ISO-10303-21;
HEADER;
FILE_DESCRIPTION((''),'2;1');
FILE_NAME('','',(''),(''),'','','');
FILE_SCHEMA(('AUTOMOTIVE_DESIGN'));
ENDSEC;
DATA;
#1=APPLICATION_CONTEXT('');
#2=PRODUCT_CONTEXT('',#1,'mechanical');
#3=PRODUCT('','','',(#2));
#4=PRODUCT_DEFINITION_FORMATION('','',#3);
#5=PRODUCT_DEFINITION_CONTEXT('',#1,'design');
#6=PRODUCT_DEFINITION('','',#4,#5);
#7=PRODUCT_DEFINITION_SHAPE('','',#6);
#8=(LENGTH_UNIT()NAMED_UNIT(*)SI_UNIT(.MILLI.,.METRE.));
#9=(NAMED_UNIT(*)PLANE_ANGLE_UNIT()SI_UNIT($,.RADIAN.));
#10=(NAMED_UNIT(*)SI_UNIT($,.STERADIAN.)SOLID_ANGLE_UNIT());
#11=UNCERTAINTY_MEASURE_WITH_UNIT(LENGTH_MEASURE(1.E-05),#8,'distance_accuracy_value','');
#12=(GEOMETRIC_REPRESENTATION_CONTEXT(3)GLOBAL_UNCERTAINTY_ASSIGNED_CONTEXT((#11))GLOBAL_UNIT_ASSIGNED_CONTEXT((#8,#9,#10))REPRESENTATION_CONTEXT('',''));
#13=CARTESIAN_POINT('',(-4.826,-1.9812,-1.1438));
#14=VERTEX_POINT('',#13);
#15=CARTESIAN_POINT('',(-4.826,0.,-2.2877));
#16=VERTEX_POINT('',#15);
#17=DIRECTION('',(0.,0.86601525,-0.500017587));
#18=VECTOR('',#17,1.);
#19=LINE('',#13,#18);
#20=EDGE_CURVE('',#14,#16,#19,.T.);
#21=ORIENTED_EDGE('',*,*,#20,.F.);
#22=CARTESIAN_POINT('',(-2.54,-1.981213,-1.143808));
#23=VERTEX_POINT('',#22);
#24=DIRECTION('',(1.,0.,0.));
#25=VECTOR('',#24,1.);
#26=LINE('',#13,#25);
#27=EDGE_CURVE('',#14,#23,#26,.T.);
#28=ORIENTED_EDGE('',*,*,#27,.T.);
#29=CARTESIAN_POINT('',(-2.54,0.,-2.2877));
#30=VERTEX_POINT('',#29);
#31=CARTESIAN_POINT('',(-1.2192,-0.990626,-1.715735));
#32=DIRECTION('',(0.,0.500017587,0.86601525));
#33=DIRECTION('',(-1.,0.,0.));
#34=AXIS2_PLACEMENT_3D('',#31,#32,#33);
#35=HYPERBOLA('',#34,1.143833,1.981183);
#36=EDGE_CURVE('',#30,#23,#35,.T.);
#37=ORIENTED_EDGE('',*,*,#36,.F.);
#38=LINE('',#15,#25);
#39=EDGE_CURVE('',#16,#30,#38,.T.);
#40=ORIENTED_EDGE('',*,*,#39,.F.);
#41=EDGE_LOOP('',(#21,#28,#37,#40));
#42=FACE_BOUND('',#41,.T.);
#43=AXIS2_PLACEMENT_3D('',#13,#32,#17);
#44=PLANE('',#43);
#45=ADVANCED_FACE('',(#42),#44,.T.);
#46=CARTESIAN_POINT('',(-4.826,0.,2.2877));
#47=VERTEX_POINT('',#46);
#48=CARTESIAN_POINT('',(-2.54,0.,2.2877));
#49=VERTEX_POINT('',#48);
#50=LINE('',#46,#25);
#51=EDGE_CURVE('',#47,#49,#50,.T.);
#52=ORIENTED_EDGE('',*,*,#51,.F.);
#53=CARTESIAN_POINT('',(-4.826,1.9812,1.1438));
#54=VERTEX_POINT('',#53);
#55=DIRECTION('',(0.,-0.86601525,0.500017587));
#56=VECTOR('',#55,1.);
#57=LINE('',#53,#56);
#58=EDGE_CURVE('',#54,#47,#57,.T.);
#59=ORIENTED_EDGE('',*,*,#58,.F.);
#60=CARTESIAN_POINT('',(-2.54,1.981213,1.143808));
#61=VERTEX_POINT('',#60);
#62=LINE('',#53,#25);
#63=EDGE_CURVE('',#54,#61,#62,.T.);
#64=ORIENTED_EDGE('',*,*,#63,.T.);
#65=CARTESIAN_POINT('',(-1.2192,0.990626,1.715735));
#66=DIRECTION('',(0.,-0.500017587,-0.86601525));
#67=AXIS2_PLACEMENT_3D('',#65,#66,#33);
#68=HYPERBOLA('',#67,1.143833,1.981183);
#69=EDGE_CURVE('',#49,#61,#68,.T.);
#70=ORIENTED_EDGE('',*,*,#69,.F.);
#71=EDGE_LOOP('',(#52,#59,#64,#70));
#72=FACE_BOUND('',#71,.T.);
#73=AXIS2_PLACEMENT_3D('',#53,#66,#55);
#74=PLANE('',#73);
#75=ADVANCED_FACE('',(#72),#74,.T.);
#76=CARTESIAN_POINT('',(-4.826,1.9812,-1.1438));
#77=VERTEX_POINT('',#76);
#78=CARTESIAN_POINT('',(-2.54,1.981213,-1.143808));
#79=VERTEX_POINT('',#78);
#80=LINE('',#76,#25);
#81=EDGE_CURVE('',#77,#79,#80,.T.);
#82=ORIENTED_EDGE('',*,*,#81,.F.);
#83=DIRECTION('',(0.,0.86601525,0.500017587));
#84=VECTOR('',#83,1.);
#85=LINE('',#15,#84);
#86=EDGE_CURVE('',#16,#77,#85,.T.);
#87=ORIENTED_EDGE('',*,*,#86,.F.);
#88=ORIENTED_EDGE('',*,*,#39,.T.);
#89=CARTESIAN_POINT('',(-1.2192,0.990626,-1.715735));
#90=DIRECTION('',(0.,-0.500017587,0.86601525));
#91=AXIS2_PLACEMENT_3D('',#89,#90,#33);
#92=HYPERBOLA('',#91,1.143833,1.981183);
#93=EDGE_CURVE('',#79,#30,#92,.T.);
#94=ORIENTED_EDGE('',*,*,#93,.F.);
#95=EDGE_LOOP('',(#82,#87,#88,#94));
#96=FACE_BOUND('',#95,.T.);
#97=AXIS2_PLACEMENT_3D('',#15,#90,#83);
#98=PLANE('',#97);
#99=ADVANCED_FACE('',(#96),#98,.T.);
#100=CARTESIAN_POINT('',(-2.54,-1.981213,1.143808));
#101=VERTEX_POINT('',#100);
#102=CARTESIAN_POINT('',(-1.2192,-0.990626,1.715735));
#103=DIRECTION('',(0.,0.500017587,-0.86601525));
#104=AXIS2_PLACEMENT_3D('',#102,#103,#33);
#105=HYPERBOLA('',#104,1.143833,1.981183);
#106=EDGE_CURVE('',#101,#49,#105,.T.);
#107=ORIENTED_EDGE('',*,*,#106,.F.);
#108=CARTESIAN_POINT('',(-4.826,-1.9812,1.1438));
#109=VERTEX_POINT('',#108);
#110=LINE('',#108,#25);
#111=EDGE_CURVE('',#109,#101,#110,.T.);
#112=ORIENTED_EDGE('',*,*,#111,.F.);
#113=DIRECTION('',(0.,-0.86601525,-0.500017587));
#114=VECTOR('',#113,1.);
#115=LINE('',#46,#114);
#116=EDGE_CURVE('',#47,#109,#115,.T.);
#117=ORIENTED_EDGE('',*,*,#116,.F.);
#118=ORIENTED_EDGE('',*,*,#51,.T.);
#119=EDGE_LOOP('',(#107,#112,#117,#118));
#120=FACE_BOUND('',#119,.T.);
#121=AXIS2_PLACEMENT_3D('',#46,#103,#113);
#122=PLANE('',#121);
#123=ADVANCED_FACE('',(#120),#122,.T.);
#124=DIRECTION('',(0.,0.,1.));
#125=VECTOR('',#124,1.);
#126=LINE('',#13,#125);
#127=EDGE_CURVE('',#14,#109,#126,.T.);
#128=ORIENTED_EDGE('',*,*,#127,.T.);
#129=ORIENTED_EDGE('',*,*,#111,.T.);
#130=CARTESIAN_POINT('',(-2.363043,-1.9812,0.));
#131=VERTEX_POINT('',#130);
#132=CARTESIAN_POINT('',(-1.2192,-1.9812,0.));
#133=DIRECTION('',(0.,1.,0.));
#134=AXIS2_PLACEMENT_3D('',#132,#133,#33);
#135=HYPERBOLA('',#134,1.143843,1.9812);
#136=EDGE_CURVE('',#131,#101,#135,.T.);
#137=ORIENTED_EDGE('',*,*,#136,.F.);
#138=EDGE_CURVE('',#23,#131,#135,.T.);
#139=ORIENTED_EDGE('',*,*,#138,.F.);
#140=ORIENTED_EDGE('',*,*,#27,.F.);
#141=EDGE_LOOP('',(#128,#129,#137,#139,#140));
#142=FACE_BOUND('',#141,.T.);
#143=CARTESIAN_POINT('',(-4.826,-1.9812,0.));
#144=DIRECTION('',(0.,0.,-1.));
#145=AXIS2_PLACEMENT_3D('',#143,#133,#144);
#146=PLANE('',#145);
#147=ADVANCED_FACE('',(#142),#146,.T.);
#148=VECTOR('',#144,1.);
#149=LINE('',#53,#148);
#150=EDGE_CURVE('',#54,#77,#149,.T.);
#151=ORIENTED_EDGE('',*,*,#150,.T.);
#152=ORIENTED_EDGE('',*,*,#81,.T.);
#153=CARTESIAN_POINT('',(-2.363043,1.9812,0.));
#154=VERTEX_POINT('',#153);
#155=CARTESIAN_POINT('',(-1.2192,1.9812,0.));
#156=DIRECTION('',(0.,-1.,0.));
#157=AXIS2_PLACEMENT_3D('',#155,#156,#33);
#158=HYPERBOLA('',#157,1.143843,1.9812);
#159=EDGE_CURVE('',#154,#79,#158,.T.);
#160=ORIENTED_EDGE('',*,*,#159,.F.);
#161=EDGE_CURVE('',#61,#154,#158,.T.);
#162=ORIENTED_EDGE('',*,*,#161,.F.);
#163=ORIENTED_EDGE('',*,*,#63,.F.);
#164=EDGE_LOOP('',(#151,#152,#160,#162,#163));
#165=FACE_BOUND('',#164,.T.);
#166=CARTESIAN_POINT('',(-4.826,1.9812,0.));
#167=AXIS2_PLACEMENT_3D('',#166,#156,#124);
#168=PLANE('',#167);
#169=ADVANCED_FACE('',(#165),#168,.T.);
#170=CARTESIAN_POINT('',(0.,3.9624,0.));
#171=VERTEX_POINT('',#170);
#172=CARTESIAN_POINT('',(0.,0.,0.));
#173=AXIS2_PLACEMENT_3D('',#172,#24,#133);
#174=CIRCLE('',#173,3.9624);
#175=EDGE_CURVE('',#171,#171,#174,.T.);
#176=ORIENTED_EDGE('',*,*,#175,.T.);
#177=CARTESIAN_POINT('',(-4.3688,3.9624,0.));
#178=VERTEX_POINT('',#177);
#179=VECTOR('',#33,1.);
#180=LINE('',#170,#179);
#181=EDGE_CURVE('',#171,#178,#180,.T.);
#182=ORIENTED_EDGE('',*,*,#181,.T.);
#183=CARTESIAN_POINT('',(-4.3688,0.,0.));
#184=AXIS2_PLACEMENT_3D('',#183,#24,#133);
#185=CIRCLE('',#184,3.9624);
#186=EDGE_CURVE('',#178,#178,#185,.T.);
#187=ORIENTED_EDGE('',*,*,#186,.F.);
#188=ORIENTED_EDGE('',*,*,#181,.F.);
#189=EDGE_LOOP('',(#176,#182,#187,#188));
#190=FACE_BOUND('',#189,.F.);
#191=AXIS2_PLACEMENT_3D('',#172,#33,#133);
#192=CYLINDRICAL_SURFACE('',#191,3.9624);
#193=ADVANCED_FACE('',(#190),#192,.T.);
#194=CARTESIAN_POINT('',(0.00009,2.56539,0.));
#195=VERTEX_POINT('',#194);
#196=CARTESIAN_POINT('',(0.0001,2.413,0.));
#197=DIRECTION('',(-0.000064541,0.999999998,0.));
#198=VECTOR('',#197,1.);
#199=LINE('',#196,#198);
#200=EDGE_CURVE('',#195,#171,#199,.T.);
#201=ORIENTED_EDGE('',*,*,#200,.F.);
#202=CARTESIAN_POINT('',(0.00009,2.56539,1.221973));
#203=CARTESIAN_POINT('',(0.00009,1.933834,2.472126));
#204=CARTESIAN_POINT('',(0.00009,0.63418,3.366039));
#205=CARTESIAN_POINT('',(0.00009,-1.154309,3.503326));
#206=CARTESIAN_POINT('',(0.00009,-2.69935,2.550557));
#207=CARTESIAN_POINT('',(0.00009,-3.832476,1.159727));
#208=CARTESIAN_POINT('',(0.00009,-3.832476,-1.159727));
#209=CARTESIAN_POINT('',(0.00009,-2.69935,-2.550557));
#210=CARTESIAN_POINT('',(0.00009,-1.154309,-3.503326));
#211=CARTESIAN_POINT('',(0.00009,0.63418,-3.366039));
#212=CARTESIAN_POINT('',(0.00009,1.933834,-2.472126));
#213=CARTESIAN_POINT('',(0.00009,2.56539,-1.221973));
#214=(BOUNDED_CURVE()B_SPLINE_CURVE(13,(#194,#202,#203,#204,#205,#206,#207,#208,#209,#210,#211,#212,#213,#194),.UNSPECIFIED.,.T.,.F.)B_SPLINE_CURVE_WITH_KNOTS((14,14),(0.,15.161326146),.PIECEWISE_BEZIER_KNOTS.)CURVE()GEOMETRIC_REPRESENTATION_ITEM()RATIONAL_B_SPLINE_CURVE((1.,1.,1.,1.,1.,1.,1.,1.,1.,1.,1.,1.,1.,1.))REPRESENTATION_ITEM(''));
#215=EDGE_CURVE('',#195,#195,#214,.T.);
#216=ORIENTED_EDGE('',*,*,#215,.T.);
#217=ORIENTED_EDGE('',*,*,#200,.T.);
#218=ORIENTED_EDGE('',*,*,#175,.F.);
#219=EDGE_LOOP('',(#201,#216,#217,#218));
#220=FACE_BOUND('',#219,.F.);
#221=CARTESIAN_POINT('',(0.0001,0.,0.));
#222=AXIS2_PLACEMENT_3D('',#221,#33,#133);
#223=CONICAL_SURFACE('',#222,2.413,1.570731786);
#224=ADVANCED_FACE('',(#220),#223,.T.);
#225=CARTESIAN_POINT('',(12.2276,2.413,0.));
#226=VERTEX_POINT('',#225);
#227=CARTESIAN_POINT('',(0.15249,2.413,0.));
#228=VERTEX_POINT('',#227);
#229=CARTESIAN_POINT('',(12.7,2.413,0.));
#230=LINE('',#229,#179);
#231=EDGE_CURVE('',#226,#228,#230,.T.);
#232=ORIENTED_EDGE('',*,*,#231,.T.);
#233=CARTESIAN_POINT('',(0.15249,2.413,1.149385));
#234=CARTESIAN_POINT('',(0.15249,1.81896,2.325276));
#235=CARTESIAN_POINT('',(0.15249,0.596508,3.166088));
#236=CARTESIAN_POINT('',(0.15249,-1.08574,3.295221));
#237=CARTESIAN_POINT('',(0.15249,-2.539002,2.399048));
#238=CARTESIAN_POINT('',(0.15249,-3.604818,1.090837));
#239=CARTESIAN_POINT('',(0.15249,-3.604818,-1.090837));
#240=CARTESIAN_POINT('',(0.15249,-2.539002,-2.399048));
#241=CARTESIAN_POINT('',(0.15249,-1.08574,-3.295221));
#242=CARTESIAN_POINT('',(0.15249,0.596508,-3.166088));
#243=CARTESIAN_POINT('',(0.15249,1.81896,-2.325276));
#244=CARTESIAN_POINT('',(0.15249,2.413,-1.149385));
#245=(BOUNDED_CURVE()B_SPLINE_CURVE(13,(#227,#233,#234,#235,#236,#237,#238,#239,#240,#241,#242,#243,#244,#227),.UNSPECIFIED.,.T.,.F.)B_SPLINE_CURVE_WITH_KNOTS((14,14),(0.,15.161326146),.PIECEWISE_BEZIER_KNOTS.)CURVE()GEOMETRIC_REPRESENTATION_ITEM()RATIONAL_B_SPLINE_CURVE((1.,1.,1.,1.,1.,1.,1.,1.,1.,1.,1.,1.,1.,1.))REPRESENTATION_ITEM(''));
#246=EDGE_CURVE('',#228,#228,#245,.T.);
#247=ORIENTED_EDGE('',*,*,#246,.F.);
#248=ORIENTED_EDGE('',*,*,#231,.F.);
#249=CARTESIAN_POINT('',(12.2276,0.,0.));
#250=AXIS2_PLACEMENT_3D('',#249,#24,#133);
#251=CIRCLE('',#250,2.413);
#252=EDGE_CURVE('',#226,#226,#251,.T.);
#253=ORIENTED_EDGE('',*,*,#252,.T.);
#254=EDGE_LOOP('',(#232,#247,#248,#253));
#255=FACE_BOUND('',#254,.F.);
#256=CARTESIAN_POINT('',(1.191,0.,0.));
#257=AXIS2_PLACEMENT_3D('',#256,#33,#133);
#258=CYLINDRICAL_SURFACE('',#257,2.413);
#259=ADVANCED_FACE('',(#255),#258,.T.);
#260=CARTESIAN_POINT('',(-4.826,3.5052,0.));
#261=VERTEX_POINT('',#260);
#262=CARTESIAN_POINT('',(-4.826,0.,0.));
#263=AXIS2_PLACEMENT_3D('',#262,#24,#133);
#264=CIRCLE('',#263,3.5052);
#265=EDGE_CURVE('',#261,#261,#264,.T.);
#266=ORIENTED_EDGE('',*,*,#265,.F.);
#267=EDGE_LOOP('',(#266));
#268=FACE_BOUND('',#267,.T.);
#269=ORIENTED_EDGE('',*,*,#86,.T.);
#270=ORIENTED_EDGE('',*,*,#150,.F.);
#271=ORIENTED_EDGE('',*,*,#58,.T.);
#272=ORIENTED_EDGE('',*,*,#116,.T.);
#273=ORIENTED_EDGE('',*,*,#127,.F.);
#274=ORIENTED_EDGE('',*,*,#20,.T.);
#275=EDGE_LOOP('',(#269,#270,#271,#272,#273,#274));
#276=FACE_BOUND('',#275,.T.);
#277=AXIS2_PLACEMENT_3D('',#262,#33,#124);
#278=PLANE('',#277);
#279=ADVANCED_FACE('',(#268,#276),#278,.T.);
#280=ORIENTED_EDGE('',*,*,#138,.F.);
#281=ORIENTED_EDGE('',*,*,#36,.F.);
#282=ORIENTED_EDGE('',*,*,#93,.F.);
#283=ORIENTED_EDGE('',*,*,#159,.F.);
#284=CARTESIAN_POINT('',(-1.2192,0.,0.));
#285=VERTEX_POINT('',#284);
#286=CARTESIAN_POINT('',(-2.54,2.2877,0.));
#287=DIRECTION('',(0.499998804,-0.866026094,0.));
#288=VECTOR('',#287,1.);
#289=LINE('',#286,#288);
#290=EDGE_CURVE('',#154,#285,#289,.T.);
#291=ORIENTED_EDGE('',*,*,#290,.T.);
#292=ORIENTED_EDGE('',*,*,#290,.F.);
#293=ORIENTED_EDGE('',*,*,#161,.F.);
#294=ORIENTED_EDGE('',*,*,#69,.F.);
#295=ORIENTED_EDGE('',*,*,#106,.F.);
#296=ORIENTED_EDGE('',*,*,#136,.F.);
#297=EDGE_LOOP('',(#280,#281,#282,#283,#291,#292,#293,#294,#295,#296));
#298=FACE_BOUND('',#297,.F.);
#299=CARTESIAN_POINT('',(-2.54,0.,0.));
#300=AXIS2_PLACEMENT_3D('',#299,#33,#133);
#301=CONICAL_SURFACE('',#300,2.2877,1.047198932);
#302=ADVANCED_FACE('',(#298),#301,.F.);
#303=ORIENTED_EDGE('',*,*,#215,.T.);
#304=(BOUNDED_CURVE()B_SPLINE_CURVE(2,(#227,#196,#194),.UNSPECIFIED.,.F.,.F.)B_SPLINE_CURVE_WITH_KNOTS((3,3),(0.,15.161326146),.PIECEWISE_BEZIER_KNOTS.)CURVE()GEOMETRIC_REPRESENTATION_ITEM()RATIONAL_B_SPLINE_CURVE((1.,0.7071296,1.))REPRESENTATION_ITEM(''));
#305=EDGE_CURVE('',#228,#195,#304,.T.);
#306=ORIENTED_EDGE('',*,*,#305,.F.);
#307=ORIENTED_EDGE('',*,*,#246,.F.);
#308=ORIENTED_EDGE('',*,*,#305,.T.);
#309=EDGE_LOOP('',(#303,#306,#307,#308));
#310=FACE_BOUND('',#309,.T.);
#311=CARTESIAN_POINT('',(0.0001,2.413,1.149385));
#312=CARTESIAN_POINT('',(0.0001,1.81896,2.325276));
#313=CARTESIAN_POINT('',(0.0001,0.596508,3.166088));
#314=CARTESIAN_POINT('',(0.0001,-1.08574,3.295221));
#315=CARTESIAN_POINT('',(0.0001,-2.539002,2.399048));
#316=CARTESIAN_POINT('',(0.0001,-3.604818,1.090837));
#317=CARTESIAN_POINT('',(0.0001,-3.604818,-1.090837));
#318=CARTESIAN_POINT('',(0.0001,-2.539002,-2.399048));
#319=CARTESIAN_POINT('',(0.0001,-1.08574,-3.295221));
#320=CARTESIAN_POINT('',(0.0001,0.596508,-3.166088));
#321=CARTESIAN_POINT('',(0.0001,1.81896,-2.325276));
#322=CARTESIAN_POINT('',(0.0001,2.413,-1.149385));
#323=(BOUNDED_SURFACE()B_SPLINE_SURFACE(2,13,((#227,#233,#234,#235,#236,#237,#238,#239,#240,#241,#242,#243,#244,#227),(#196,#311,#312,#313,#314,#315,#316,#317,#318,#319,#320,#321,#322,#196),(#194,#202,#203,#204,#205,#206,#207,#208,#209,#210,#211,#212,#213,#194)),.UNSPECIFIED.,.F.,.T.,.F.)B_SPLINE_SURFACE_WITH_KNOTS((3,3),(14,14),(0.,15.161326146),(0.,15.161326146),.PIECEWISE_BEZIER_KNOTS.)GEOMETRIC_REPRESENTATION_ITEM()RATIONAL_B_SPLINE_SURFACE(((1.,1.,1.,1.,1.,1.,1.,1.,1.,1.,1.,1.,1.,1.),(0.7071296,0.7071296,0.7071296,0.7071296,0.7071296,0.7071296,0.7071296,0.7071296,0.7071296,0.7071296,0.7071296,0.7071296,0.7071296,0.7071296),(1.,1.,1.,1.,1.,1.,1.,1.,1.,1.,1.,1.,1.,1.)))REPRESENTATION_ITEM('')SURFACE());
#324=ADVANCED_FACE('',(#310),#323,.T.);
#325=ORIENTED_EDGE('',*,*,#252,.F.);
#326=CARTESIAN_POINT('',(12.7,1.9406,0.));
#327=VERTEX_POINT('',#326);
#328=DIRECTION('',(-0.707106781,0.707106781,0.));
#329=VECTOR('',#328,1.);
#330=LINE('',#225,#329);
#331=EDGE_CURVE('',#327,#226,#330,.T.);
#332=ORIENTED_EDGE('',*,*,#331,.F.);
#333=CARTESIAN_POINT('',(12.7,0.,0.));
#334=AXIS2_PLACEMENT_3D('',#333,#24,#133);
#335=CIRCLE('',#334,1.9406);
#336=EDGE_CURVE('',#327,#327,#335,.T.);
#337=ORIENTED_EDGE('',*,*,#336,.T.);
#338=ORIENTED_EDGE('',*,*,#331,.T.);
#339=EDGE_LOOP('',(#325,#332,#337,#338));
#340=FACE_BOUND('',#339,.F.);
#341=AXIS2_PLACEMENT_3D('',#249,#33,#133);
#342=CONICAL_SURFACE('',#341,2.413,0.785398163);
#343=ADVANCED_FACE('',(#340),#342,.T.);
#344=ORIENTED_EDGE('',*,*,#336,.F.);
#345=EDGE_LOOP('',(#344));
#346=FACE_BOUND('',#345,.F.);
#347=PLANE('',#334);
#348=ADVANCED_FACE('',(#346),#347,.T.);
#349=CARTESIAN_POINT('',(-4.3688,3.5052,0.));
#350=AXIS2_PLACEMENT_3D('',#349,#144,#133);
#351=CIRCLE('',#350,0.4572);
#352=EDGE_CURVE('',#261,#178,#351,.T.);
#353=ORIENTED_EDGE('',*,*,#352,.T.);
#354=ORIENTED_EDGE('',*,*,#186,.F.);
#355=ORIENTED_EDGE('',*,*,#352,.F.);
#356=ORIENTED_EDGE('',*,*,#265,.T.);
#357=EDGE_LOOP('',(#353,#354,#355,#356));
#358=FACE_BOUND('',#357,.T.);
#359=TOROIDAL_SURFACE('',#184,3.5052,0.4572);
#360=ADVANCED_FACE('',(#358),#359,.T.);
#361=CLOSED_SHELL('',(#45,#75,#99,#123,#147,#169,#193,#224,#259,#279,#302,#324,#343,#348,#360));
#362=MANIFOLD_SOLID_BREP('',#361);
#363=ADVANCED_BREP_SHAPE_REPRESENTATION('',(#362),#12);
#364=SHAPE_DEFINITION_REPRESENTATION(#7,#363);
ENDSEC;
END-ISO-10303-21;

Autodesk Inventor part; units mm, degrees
ref_plane "YZ Plane" through (0, 0, 0) normal (1, 0, 0) x (0, 1, 0)
ref_plane "XZ Plane" through (0, 0, 0) normal (0, 1, 0) x (-1, 0, 0)
sketch "Sketch1" plane through (0, 0, 0) normal (0, 0, 1) x (1, 0, 0)
  line L0 (-1.2192, 0) -> (12.7, 0)
  line L1 (12.7, 0) -> (12.7, 2.413)
  line L2 (12.7, 2.413) -> (1.191, 2.413)
  line L3 (1.191, 2.413) -> (0.0001, 2.413)
  line L4 (0.0001, 2.413) -> (0, 2.413)
  line L5 (0, 2.413) -> (0, 3.9624)
  line L6 (0, 3.9624) -> (-4.826, 3.9624)
  line L7 (-4.826, 3.9624) -> (-4.826, 2.2877)
  line L8 (-4.826, 2.2877) -> (-2.54, 2.2877)
  line L9 (-2.54, 2.2877) -> (-1.2192, 0)
  line L10 (-8.3312, 0) -> (16.2052, 0) projected
  line L11 (0, -0.7925) -> (0, 4.7549) projected
  line L12 (1.191, 2.413) -> (0, 2.413) construction
  dimension "d1" = 11.5091
  dimension "d2" = 1.1908
  dimension "d3" = 4.826
  dimension "d4" = 2.286
  dimension "d5" = 60
  dimension "d6" = 4.826
  dimension "d7" = 4.826
  dimension "d8" = 4.5754
  dimension "d9" = 7.9248
  dimension "d26" = 12.7
revolve "Body" add sketch "Sketch1" angle 360 about axis through (-1.2192, 0, 0) along (1, 0, 0)
sketch "Sketch2" plane through (-4.826, 0, 0) normal (-1, 0, 0) x (0, 0, 1)
  circle A0 centre (0, 0) radius 2.2877 projected
  line L0 (0, -5.5474) -> (0, 5.5474) projected
  line L1 (-5.5474, 0) -> (5.5474, 0) projected
  line L2 (2.2877, 0) -> (1.1438, -1.9812)
  line L3 (1.1438, -1.9812) -> (-1.1438, -1.9812)
  line L4 (-1.1438, -1.9812) -> (-2.2877, 0)
  line L5 (-2.2877, 0) -> (-1.1438, 1.9812)
  line L6 (-1.1438, 1.9812) -> (1.1438, 1.9812)
  line L7 (1.1438, 1.9812) -> (2.2877, 0)
extrude "Slot" add sketch "Sketch2" against normal up to next contours L7 A0 | A0 L2 | L6 L0 A0 | A0 L0 L3 | L0 L6 A0 | A0 L3 L0 | L4 A0 | A0 L5
fillet "Fillet1" radius 0.4572 1 edges at (-4.826, -3.9624, 0)
thread "Thread" size "10-32 UNF" class "2A" standard "ANSI Unified Screw Threads" length 11.509
chamfer "Chamfer1" distance 0.4724 distance2 0.4724 1 edges at (12.7, -2.413, 0) measured on face at (12.7, -0.2852, -0.7521)
ref_plane "Work Plane1" through (29, 0, 0) normal (0, -1, 0) x (1, 0, 0)
fillet "Fillet2" radius 0.1524 1 edges at (0.0001, -2.413, 0)
equation "\"d1\" = GEL"
equation "\"d3\" = KOH"
equation "\"d4\" = INTI"
equation "\"d6\" = GD"
equation "\"d7\" = BDM"
equation "\"d8\" = 1.1547 * SW"
equation "\"d9\" = KOD"
equation "\"d26\" = NLG"
equation "\"d30\" = R"
equation "\"d17\" = RR"
equation "\"d13\" = GEL"
equation "\"d15\" = -0.5 * SPD + 0.5 * GD"
equation "\"d16\" = GUL"
equation "\"GD\" = 4.826"
equation "\"NLG\" = 12.7"
equation "\"GEL\" = 11.50905"
equation "\"KOD\" = 7.9248"
equation "\"KOH\" = 4.826"
equation "\"INTI\" = 2.286"
equation "\"GAL\" = 1.19075"
equation "\"GUL\" = 0.47244"
equation "\"BDM\" = 4.826"
equation "\"SW\" = 3.9624"
equation "\"RR\" = 0.4572"
equation "\"SPD\" = 3.88112"
equation "\"R\" = 0.1524"
equation "\"PHH\" = 0.127"
equation "\"GD1\" = SPD"
equation "\"THREADDIA\" = 4.826"
equation "\"FAWI\" = 45deg"
equation "\"KOH1\" = 4.3434"
equation "\"NND\" = 4.826"
equation "\"TOA\" = 30deg"
equation "\"E0\" = 1.155 * SW"
properties part number "ANSI B18.3 - 10-32 UNF - 0.5 HS HCS" material "Steel, Mild"
